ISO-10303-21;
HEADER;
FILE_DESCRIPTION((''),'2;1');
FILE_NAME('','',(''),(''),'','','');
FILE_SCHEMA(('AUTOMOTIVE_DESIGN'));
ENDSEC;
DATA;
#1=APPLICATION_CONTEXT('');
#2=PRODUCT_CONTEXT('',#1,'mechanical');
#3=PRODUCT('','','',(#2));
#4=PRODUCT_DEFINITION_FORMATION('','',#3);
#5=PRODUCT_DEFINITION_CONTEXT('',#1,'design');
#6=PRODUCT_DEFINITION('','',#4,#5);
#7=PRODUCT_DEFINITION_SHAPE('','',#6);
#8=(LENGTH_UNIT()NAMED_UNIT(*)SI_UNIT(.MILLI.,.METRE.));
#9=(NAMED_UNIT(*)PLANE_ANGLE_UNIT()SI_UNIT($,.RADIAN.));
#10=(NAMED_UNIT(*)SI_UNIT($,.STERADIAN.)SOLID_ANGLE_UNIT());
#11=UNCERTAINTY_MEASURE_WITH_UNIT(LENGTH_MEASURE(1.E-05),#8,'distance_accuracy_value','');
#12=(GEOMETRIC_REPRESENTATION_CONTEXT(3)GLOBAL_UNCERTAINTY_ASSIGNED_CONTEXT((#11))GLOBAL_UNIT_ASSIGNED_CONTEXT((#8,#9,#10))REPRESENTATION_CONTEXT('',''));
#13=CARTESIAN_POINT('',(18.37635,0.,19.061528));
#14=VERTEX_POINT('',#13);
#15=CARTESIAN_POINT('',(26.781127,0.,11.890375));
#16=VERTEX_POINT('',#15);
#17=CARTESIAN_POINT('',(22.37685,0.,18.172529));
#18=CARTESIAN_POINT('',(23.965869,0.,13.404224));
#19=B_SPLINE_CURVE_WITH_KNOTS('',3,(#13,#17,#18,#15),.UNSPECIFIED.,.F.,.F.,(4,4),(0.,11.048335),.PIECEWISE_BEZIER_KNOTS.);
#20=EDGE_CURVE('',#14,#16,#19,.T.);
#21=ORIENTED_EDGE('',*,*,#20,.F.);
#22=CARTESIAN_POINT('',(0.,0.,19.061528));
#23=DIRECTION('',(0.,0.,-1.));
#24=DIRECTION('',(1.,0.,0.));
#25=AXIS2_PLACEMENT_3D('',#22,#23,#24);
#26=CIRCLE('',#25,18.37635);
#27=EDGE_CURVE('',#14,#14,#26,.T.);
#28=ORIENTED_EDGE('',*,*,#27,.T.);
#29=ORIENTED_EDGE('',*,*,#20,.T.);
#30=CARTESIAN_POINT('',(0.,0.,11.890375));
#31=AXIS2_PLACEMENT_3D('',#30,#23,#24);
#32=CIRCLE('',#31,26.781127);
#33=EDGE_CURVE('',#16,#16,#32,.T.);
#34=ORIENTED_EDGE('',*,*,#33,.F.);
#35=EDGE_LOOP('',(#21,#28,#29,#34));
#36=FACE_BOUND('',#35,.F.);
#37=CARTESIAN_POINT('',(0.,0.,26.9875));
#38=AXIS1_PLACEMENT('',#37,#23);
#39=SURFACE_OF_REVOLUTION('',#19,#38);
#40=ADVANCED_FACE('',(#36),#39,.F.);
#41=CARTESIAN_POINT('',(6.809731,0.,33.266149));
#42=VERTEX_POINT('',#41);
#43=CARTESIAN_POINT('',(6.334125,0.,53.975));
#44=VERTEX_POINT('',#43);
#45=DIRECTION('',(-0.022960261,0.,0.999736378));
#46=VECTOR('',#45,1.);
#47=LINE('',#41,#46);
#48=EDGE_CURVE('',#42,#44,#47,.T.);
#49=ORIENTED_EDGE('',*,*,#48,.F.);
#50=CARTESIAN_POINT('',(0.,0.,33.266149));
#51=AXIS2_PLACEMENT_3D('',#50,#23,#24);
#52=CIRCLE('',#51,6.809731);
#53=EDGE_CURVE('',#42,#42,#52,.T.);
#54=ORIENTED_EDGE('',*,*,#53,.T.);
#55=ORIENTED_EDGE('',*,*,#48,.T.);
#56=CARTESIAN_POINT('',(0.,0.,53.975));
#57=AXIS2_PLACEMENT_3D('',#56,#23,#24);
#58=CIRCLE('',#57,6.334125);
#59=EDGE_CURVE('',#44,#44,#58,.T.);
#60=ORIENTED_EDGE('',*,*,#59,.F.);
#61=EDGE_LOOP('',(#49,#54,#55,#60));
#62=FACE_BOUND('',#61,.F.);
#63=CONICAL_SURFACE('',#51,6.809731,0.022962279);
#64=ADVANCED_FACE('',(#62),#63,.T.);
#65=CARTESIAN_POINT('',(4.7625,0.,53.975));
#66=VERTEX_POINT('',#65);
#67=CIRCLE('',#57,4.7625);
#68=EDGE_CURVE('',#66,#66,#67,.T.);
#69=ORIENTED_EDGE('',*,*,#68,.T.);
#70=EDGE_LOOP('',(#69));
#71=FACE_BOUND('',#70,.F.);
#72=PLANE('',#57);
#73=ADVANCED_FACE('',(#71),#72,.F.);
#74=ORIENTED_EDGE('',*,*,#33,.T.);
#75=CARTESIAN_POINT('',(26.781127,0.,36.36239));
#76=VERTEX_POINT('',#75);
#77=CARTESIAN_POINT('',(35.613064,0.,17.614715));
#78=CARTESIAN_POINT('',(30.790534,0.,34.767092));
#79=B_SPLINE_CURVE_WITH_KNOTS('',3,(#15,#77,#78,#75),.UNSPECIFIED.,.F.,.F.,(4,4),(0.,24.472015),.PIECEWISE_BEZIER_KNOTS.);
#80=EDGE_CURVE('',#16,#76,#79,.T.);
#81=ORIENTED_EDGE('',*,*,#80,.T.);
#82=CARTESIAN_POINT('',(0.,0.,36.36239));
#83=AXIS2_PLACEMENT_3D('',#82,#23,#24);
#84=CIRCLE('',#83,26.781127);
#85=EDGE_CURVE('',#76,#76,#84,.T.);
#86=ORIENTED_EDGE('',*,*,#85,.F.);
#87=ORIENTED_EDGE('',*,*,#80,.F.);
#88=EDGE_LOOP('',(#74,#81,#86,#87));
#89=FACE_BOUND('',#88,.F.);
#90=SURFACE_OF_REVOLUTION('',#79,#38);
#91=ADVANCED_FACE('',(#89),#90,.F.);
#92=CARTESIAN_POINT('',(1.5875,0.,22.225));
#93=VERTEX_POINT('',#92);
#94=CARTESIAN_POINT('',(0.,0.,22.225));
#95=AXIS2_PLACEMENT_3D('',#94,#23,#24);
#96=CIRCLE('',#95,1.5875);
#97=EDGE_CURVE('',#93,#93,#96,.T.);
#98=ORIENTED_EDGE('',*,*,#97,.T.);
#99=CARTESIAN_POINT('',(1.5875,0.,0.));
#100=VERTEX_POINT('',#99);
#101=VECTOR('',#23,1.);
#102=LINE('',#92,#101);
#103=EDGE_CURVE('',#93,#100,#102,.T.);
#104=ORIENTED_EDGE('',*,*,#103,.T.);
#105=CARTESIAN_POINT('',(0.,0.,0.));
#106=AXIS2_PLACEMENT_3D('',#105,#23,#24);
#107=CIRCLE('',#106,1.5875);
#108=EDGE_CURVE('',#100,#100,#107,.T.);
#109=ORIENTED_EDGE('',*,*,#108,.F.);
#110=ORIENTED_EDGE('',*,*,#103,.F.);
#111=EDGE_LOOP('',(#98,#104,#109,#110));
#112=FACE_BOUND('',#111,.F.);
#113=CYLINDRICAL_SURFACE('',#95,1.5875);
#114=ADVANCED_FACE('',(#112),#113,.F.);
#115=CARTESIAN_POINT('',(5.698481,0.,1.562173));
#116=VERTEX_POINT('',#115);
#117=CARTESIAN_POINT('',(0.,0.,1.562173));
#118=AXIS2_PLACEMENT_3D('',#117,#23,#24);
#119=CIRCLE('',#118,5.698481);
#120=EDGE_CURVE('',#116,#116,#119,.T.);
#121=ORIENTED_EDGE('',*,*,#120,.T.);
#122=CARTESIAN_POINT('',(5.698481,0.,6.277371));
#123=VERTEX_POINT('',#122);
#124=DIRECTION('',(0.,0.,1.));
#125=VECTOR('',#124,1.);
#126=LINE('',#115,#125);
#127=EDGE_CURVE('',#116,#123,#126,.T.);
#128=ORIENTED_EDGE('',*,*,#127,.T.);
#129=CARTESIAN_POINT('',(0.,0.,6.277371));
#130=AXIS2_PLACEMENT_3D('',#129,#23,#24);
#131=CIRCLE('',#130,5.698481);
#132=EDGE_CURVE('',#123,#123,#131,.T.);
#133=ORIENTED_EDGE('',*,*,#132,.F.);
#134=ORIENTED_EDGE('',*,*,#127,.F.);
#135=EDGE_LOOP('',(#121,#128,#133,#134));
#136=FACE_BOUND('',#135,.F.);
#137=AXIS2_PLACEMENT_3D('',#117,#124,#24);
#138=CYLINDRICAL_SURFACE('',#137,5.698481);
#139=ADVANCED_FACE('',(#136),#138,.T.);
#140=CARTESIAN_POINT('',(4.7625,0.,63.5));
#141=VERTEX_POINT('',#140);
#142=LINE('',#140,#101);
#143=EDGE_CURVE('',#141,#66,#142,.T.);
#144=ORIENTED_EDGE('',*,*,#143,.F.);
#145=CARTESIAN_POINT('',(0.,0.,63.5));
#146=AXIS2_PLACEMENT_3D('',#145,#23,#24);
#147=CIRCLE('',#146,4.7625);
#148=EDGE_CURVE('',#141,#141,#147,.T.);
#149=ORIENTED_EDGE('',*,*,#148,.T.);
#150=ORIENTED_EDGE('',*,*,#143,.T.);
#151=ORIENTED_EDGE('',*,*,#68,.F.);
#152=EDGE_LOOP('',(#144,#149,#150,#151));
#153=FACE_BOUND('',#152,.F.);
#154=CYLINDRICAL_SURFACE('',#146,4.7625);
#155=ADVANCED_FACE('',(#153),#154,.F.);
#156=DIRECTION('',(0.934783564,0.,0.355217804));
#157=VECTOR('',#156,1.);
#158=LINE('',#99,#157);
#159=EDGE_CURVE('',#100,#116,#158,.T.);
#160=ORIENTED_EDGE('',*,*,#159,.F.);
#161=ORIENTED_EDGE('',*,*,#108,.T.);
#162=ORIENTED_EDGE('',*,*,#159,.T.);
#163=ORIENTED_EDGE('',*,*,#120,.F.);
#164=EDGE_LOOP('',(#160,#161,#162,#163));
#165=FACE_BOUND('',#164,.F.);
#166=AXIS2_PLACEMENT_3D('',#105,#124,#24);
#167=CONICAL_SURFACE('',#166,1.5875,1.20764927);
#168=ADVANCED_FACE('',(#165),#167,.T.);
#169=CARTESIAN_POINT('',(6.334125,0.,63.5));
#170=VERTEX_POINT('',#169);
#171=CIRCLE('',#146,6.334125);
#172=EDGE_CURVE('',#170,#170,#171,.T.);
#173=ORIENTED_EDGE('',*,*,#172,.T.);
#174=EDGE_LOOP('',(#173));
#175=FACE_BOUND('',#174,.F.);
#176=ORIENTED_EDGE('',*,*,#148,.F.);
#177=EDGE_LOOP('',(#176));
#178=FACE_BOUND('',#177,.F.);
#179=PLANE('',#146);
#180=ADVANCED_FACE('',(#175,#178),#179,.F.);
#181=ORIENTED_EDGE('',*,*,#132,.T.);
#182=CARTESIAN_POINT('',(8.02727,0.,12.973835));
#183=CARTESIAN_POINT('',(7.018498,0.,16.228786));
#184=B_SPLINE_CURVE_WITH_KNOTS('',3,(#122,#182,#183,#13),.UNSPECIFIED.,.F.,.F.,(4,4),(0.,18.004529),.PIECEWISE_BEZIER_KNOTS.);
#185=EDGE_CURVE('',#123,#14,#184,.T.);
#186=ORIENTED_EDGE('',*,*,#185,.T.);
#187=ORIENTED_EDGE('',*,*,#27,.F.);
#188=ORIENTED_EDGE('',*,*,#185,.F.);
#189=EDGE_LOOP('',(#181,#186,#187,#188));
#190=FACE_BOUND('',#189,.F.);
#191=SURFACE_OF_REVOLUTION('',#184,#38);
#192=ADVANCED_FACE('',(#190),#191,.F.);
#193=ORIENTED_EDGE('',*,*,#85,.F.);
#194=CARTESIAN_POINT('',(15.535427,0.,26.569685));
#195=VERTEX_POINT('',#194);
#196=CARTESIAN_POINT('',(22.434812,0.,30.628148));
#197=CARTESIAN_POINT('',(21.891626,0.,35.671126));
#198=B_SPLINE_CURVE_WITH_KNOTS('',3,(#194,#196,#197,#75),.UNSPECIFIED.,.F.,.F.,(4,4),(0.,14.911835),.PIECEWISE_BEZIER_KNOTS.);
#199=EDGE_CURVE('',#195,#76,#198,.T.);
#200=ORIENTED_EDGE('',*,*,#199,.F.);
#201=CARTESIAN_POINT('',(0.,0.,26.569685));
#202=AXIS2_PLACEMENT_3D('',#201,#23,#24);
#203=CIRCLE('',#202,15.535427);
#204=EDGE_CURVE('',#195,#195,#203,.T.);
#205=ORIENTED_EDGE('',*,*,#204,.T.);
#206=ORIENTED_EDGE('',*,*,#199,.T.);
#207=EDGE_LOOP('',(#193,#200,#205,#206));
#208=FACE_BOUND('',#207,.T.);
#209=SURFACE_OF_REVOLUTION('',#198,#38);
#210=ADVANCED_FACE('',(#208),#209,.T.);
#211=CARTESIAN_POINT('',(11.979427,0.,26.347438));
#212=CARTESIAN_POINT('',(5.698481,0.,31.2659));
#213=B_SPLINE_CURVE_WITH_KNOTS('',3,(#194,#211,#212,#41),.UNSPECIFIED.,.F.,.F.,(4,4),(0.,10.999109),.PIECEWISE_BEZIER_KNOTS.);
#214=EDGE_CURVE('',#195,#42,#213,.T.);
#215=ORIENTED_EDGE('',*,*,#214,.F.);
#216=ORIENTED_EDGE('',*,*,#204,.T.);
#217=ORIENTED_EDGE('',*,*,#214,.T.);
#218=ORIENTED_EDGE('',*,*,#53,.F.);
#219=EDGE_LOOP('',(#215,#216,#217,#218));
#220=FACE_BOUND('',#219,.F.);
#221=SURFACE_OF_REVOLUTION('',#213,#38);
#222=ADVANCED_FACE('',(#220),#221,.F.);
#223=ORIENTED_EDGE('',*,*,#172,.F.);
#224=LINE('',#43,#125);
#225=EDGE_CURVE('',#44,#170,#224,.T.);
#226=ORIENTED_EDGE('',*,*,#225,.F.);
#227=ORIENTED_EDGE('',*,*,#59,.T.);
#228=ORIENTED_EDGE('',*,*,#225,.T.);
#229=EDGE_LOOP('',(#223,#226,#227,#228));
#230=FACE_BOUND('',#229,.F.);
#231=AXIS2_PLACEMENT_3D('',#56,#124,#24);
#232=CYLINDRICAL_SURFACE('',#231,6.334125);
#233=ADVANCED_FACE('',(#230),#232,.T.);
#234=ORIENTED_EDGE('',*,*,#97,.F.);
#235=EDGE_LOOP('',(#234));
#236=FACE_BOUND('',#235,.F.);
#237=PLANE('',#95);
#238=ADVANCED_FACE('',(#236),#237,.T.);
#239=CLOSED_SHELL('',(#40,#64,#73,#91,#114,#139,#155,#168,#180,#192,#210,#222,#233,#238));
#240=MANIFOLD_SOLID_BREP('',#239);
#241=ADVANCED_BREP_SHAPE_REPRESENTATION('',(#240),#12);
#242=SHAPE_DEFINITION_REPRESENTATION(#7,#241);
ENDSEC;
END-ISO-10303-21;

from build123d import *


with BuildPart() as f1:
    # F0 (on Front) → F1 (revolve)
    with BuildSketch(Plane.XZ):
        with BuildLine():
            Line((0, 53.975), (0, 22.225))
            Line((0, 22.225), (1.5875, 22.225))
            Line((1.5875, 22.225), (1.5875, 0))
            Line((1.5875, 0), (5.698481, 1.562173))
            Line((5.698481, 1.562173), (5.698481, 6.277371))
            add(Edge.make_bspline(
                [(5.698481, 6.277371), (8.02727, 12.973835), (7.018498, 16.228786), (18.37635, 19.061528)],
                knots=[0, 0, 0, 0, 18.004529, 18.004529, 18.004529, 18.004529], degree=3))
            add(Edge.make_bspline(
                [(18.37635, 19.061528), (22.37685, 18.172529), (23.965869, 13.404224), (26.781127, 11.890375)],
                knots=[0, 0, 0, 0, 11.048335, 11.048335, 11.048335, 11.048335], degree=3))
            add(Edge.make_bspline(
                [(26.781127, 11.890375), (35.613064, 17.614715), (30.790534, 34.767092), (26.781127, 36.36239)],
                knots=[0, 0, 0, 0, 24.472015, 24.472015, 24.472015, 24.472015], degree=3))
            add(Edge.make_bspline(
                [(15.535427, 26.569685), (22.434812, 30.628148), (21.891626, 35.671126), (26.781127, 36.36239)],
                knots=[0, 0, 0, 0, 14.911835, 14.911835, 14.911835, 14.911835], degree=3))
            add(Edge.make_bspline(
                [(15.535427, 26.569685), (11.979427, 26.347438), (5.698481, 31.2659), (6.809731, 33.266149)],
                knots=[0, 0, 0, 0, 10.999109, 10.999109, 10.999109, 10.999109], degree=3))
            Line((6.809731, 33.266149), (6.334125, 53.975))
            Line((6.334125, 53.975), (6.334125, 63.5))
            Line((6.334125, 63.5), (4.7625, 63.5))
            Line((4.7625, 63.5), (4.7625, 53.975))
            Line((4.7625, 53.975), (0, 53.975))
        make_face()
    revolve(axis=Axis((0, 0, 26.9875), (0, 0, -1)))


solid = f1.part
